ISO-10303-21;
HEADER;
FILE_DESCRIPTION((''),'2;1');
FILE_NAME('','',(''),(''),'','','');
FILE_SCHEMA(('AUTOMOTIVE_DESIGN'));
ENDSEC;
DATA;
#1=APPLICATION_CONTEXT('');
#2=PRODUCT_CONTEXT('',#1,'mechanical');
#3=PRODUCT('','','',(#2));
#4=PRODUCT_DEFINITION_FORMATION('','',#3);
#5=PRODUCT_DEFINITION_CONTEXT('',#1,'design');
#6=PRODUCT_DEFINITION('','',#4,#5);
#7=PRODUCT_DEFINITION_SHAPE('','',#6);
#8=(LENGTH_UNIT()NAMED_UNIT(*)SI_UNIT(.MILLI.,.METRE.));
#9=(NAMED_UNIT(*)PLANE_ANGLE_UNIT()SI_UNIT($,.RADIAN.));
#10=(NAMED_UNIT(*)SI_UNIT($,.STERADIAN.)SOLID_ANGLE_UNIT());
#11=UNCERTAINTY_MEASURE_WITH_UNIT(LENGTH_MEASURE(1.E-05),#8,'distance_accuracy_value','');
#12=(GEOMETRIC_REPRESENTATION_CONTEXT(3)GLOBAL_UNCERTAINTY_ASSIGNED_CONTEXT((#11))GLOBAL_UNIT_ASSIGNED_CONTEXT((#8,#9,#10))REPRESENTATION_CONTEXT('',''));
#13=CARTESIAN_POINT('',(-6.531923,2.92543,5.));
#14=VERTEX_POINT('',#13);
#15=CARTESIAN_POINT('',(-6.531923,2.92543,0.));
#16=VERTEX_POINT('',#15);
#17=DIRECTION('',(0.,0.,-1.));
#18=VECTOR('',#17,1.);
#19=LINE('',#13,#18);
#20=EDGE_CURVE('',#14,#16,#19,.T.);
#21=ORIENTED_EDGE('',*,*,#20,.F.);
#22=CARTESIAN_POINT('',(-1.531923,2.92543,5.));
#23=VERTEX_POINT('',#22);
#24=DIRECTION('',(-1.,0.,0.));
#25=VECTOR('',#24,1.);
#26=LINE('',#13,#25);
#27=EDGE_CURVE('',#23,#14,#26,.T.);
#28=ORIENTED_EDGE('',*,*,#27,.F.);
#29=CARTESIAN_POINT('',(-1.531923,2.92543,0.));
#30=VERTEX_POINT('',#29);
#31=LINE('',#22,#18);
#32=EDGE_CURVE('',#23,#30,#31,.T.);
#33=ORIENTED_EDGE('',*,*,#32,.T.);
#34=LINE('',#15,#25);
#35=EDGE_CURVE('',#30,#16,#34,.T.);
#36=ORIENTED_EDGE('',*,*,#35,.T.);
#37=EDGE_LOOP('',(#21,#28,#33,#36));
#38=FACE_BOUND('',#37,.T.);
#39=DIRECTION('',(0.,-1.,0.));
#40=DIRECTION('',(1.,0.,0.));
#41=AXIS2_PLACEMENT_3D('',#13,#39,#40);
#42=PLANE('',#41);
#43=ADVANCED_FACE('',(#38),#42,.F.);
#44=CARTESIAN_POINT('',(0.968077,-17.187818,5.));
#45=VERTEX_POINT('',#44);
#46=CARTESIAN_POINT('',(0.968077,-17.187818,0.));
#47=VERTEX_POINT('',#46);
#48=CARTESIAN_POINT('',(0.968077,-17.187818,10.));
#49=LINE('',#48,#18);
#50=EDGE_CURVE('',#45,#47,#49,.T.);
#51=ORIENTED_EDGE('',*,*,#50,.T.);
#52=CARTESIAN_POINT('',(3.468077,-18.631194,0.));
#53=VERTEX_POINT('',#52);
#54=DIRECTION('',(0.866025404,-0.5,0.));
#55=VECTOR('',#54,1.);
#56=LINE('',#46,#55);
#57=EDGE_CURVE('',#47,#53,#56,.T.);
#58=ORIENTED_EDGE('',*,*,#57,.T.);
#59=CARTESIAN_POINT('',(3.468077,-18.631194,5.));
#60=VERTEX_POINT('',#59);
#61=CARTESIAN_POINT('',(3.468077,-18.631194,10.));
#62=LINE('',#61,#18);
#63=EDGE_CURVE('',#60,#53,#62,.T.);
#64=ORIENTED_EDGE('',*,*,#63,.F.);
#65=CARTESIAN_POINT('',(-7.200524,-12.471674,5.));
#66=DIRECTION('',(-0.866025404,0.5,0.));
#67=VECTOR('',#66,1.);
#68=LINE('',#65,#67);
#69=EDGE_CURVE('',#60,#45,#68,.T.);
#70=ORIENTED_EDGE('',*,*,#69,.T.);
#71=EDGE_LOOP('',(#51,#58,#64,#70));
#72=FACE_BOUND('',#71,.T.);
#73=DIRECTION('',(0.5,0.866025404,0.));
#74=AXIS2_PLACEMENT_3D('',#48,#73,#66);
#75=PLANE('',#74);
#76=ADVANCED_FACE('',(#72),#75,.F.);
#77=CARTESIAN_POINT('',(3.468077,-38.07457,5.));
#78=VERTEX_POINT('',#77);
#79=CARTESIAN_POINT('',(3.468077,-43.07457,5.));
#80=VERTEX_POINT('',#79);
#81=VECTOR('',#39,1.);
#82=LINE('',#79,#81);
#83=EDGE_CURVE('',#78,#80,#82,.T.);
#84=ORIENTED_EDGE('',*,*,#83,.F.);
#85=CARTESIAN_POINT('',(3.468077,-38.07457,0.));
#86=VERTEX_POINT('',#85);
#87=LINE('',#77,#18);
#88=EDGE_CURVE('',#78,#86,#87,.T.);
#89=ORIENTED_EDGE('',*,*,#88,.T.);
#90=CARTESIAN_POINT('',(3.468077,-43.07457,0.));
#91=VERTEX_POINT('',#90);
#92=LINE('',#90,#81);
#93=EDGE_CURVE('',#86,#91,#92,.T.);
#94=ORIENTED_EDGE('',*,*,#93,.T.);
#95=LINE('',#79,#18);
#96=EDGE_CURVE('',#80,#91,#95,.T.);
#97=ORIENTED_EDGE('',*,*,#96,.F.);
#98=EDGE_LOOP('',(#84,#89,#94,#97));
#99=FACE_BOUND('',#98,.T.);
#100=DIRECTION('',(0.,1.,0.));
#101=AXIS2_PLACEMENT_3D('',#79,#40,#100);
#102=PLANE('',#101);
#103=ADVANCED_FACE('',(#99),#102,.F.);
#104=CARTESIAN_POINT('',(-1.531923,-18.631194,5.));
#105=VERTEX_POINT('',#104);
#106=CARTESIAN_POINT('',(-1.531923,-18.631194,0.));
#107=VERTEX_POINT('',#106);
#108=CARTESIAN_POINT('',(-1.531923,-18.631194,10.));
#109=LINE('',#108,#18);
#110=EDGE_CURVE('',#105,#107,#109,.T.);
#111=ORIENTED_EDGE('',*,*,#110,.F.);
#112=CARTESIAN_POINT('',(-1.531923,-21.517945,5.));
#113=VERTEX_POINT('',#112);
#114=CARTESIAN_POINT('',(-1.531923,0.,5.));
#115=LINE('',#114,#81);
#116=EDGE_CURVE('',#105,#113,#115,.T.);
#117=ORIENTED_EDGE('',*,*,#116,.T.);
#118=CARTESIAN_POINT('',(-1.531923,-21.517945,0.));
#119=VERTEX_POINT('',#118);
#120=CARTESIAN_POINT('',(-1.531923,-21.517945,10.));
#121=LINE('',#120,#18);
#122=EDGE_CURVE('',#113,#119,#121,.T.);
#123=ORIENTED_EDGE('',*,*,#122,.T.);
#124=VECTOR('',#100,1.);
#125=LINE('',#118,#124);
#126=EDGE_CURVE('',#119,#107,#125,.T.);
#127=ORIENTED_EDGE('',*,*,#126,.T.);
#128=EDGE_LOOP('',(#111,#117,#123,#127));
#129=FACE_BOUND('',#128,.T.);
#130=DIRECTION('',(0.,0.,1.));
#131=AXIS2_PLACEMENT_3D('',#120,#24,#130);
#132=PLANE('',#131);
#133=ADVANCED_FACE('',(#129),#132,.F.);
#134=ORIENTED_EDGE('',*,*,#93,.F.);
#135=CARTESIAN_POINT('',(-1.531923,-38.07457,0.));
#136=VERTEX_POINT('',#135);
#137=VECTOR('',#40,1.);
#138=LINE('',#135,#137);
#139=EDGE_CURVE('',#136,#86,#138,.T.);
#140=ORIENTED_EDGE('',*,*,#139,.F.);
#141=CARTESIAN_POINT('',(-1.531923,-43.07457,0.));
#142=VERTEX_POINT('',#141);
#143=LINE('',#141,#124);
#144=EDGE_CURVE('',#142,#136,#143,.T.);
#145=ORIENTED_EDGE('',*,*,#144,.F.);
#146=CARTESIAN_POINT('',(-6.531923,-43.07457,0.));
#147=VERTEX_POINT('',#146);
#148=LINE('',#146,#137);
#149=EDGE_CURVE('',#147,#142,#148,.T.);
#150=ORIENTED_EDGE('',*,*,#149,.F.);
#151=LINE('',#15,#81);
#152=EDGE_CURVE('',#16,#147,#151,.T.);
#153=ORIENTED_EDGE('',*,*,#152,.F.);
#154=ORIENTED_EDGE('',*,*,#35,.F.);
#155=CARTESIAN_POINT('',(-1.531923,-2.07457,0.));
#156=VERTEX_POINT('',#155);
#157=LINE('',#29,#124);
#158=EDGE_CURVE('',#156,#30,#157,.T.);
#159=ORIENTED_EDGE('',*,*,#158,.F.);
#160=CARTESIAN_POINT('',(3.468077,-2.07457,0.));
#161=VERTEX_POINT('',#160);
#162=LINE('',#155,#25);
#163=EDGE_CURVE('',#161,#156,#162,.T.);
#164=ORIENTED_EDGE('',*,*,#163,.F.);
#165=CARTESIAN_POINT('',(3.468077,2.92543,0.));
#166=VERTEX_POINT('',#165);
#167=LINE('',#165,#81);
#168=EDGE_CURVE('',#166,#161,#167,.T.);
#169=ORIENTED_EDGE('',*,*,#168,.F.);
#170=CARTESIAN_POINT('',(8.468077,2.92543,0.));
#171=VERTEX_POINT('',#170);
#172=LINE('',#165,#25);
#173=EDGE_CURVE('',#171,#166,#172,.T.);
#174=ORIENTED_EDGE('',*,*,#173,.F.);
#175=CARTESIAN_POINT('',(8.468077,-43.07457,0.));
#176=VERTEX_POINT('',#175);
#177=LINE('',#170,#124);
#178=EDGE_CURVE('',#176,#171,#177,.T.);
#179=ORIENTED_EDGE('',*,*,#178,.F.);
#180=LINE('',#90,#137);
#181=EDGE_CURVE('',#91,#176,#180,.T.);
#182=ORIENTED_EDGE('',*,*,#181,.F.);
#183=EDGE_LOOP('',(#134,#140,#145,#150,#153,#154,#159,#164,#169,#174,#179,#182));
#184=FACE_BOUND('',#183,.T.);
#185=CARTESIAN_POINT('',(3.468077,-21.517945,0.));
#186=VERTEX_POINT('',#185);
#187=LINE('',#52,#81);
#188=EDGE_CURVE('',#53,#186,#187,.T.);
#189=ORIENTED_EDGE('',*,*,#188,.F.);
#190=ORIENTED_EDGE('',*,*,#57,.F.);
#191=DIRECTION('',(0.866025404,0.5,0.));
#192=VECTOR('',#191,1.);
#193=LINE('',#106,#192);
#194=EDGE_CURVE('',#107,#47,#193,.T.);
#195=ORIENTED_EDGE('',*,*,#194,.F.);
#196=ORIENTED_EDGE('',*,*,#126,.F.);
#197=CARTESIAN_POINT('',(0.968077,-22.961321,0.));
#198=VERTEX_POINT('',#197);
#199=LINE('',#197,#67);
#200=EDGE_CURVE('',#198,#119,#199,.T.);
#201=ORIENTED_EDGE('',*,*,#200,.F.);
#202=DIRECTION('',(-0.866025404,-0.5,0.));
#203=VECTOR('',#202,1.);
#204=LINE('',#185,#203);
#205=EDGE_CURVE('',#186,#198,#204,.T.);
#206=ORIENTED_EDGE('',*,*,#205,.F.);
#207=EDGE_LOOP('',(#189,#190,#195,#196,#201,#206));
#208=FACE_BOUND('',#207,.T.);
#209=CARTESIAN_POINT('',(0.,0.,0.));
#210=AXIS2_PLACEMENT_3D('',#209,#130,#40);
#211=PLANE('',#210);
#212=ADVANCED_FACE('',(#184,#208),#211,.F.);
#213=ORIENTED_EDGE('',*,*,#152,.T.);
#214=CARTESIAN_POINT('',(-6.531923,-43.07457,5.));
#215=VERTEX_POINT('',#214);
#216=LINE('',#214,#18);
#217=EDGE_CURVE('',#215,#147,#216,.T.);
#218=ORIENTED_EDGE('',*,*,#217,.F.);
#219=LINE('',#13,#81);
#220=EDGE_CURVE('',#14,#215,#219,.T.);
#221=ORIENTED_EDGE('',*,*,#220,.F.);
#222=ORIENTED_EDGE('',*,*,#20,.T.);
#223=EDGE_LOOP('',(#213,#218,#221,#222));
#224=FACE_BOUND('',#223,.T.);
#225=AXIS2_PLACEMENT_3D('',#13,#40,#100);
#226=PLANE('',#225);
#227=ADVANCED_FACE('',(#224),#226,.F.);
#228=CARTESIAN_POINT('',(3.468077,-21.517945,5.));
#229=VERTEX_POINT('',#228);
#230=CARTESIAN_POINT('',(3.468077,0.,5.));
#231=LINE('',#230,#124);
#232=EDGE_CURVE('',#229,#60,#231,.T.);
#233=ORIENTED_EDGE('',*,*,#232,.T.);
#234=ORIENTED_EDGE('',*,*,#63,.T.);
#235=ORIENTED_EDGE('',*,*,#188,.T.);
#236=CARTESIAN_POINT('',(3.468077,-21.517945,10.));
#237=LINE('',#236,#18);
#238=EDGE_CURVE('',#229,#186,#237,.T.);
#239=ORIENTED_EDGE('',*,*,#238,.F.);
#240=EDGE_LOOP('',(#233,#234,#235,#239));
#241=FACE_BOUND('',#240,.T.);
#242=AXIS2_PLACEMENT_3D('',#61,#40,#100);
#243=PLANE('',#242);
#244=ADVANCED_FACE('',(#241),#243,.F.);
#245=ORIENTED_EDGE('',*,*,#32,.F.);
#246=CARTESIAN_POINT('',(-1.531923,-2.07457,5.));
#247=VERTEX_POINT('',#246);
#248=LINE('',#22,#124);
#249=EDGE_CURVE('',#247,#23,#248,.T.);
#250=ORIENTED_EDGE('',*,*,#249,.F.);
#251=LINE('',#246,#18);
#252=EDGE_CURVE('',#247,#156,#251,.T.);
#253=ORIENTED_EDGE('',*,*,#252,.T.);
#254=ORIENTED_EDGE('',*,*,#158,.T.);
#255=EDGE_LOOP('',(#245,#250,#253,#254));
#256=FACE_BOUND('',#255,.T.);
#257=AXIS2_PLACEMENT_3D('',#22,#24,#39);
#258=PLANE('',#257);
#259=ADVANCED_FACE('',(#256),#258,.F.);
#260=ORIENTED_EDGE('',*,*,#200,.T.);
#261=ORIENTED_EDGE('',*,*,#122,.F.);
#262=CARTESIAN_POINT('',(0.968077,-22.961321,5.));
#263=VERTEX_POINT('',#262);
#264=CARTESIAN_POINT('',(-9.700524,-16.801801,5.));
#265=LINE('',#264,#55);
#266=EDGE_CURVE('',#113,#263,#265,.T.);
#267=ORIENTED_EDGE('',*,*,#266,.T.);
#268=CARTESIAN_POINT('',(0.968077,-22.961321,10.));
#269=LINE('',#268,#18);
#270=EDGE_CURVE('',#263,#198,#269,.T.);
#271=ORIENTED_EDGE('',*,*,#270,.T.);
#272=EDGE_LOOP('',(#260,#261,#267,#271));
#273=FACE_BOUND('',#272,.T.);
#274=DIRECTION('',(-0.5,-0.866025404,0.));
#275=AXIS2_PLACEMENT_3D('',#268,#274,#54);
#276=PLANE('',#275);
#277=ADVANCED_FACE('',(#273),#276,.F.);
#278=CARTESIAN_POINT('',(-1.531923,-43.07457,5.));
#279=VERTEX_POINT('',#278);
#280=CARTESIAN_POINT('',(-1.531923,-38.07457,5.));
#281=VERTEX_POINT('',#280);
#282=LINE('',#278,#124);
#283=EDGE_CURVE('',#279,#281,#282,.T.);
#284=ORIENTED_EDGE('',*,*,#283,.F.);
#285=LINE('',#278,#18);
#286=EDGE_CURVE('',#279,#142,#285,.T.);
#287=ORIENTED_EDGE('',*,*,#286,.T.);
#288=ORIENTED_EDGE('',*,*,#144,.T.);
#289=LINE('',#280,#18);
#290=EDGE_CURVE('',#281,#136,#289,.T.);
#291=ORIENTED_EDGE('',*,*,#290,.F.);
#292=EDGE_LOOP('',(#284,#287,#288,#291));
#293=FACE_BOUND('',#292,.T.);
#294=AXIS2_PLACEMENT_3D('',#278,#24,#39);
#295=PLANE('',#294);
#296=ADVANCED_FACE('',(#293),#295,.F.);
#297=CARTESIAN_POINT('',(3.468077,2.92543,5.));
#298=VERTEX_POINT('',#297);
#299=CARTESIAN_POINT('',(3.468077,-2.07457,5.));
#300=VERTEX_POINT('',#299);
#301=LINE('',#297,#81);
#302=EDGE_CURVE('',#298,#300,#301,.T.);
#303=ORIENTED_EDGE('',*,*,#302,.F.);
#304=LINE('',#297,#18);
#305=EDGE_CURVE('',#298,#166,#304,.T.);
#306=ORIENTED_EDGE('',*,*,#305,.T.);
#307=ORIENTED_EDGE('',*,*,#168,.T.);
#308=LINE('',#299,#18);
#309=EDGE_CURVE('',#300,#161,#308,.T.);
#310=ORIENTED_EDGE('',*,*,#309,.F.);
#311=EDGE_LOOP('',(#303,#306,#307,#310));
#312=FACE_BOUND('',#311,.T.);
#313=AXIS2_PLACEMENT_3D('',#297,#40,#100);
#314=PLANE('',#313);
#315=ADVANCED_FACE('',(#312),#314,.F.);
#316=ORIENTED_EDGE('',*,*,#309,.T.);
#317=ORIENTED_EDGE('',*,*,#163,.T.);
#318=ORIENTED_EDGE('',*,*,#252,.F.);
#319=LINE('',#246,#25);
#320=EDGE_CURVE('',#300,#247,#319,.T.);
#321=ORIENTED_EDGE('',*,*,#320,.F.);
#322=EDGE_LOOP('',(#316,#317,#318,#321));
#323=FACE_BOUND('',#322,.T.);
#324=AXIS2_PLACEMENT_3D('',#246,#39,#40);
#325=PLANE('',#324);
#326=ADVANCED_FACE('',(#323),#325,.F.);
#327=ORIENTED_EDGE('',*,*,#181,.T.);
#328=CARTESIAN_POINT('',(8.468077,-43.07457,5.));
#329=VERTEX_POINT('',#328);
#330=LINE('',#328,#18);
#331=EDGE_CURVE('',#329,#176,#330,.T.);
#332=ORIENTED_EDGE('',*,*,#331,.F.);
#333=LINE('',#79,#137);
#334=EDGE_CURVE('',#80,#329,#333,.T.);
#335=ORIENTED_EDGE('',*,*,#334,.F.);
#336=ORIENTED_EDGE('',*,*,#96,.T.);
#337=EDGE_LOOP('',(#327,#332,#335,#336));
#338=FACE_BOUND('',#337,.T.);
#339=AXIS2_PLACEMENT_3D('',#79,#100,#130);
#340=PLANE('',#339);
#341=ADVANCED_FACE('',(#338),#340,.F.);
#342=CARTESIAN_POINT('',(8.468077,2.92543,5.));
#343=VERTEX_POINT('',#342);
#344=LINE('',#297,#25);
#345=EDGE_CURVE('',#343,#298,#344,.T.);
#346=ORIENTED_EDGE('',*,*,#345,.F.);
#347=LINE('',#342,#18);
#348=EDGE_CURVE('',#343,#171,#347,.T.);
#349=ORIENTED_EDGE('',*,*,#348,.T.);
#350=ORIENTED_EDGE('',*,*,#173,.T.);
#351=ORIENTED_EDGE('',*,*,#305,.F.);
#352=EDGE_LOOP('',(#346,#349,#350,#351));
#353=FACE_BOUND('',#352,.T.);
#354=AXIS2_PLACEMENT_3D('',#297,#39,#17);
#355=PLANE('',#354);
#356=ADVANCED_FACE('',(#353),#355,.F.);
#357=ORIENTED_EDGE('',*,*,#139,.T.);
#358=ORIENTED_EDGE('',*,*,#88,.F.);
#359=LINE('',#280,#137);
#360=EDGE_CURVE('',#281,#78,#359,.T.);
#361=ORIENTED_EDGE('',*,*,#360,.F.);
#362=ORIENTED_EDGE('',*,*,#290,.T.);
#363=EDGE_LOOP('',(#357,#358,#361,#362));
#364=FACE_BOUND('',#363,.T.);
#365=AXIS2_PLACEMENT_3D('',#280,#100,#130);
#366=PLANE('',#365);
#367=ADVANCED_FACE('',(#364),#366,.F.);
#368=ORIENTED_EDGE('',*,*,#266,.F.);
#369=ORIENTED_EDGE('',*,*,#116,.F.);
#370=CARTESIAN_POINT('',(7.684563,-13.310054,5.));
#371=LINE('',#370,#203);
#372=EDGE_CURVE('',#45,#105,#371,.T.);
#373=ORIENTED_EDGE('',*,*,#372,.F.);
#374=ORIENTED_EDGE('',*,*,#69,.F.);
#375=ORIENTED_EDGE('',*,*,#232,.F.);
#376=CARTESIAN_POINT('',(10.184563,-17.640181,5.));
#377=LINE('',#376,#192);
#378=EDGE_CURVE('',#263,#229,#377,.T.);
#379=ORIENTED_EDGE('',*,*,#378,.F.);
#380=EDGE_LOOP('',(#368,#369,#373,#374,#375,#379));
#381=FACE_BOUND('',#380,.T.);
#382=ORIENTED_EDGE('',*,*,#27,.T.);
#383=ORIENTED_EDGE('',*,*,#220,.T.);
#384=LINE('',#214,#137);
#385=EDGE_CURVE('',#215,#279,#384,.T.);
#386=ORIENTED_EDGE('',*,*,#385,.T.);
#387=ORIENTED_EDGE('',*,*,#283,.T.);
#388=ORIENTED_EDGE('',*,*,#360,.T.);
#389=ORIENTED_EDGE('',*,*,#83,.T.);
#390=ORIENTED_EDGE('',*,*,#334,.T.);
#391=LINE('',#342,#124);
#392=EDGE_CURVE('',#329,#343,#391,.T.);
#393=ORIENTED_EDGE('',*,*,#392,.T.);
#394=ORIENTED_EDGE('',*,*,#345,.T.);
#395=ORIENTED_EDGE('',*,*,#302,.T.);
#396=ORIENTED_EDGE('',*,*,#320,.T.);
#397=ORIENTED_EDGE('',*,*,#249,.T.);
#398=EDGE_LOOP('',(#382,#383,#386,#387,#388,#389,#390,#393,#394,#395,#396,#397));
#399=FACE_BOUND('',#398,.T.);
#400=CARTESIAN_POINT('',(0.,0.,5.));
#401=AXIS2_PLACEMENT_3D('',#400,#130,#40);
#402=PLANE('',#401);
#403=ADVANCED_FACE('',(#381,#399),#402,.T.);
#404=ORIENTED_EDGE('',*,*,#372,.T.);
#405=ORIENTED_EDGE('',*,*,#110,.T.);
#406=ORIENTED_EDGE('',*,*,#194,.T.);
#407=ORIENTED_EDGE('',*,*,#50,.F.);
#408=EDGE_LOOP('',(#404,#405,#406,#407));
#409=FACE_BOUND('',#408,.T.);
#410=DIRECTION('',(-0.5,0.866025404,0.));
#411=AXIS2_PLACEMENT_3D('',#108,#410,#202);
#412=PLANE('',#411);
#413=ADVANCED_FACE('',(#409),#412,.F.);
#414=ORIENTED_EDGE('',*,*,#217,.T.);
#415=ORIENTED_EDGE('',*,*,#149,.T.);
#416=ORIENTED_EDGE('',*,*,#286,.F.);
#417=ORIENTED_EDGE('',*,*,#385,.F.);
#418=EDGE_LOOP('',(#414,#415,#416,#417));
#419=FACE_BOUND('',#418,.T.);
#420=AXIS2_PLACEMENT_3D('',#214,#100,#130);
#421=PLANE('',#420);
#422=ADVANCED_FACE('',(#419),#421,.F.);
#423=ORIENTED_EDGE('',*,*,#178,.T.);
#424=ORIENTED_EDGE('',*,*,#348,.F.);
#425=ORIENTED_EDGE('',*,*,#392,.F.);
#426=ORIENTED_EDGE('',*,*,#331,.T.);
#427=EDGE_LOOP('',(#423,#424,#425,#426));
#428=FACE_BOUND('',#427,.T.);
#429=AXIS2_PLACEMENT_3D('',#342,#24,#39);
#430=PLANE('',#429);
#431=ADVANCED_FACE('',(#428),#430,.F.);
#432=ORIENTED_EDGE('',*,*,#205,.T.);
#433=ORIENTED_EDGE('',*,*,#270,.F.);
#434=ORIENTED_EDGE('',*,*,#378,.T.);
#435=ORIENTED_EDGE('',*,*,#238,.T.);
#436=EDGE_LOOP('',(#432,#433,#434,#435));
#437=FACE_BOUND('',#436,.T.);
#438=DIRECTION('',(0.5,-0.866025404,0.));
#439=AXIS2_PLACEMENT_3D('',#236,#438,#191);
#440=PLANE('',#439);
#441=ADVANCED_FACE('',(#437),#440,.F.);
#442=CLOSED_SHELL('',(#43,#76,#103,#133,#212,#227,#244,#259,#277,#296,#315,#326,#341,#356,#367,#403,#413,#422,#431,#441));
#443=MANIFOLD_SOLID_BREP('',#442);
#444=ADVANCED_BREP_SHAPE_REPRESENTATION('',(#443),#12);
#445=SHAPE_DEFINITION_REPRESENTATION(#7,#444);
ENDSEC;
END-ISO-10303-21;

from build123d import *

# Parameters (mm, degrees)
BOSS_EXTRU_1_DEPTH = 5
CUT_EXTRUDE1_DEPTH = 10


with BuildPart() as part:
    # Esquisse1 → Boss.-Extru.1 (new body)
    with BuildSketch(Plane.XY):
        Polygon((3.468077367, 2.92543021), (8.468077367, 2.92543021), (8.468077367, -43.07456979), (3.468077367, -43.07456979), (3.468077367, -38.07456979), (-1.531922633, -38.07456979), (-1.531922633, -43.07456979), (-6.531922633, -43.07456979), (-6.531922633, 2.92543021), (-1.531922633, 2.92543021), (-1.531922633, -2.07456979), (3.468077367, -2.07456979), align=None)
    extrude(amount=BOSS_EXTRU_1_DEPTH)

    # Esquisse2 → Cut-Extrude1 (cut)
    with BuildSketch(Plane(origin=(0, 0, 0), x_dir=(-1, 0, 0), z_dir=(0, 0, -1))):
        Polygon((-3.468077367, -21.517945463), (-0.968077367, -22.961321136), (1.531922633, -21.517945463), (1.531922633, -18.631194117), (-0.968077367, -17.187818444), (-3.468077367, -18.631194117), align=None)
    extrude(amount=-CUT_EXTRUDE1_DEPTH, mode=Mode.SUBTRACT)


solid = part.part
